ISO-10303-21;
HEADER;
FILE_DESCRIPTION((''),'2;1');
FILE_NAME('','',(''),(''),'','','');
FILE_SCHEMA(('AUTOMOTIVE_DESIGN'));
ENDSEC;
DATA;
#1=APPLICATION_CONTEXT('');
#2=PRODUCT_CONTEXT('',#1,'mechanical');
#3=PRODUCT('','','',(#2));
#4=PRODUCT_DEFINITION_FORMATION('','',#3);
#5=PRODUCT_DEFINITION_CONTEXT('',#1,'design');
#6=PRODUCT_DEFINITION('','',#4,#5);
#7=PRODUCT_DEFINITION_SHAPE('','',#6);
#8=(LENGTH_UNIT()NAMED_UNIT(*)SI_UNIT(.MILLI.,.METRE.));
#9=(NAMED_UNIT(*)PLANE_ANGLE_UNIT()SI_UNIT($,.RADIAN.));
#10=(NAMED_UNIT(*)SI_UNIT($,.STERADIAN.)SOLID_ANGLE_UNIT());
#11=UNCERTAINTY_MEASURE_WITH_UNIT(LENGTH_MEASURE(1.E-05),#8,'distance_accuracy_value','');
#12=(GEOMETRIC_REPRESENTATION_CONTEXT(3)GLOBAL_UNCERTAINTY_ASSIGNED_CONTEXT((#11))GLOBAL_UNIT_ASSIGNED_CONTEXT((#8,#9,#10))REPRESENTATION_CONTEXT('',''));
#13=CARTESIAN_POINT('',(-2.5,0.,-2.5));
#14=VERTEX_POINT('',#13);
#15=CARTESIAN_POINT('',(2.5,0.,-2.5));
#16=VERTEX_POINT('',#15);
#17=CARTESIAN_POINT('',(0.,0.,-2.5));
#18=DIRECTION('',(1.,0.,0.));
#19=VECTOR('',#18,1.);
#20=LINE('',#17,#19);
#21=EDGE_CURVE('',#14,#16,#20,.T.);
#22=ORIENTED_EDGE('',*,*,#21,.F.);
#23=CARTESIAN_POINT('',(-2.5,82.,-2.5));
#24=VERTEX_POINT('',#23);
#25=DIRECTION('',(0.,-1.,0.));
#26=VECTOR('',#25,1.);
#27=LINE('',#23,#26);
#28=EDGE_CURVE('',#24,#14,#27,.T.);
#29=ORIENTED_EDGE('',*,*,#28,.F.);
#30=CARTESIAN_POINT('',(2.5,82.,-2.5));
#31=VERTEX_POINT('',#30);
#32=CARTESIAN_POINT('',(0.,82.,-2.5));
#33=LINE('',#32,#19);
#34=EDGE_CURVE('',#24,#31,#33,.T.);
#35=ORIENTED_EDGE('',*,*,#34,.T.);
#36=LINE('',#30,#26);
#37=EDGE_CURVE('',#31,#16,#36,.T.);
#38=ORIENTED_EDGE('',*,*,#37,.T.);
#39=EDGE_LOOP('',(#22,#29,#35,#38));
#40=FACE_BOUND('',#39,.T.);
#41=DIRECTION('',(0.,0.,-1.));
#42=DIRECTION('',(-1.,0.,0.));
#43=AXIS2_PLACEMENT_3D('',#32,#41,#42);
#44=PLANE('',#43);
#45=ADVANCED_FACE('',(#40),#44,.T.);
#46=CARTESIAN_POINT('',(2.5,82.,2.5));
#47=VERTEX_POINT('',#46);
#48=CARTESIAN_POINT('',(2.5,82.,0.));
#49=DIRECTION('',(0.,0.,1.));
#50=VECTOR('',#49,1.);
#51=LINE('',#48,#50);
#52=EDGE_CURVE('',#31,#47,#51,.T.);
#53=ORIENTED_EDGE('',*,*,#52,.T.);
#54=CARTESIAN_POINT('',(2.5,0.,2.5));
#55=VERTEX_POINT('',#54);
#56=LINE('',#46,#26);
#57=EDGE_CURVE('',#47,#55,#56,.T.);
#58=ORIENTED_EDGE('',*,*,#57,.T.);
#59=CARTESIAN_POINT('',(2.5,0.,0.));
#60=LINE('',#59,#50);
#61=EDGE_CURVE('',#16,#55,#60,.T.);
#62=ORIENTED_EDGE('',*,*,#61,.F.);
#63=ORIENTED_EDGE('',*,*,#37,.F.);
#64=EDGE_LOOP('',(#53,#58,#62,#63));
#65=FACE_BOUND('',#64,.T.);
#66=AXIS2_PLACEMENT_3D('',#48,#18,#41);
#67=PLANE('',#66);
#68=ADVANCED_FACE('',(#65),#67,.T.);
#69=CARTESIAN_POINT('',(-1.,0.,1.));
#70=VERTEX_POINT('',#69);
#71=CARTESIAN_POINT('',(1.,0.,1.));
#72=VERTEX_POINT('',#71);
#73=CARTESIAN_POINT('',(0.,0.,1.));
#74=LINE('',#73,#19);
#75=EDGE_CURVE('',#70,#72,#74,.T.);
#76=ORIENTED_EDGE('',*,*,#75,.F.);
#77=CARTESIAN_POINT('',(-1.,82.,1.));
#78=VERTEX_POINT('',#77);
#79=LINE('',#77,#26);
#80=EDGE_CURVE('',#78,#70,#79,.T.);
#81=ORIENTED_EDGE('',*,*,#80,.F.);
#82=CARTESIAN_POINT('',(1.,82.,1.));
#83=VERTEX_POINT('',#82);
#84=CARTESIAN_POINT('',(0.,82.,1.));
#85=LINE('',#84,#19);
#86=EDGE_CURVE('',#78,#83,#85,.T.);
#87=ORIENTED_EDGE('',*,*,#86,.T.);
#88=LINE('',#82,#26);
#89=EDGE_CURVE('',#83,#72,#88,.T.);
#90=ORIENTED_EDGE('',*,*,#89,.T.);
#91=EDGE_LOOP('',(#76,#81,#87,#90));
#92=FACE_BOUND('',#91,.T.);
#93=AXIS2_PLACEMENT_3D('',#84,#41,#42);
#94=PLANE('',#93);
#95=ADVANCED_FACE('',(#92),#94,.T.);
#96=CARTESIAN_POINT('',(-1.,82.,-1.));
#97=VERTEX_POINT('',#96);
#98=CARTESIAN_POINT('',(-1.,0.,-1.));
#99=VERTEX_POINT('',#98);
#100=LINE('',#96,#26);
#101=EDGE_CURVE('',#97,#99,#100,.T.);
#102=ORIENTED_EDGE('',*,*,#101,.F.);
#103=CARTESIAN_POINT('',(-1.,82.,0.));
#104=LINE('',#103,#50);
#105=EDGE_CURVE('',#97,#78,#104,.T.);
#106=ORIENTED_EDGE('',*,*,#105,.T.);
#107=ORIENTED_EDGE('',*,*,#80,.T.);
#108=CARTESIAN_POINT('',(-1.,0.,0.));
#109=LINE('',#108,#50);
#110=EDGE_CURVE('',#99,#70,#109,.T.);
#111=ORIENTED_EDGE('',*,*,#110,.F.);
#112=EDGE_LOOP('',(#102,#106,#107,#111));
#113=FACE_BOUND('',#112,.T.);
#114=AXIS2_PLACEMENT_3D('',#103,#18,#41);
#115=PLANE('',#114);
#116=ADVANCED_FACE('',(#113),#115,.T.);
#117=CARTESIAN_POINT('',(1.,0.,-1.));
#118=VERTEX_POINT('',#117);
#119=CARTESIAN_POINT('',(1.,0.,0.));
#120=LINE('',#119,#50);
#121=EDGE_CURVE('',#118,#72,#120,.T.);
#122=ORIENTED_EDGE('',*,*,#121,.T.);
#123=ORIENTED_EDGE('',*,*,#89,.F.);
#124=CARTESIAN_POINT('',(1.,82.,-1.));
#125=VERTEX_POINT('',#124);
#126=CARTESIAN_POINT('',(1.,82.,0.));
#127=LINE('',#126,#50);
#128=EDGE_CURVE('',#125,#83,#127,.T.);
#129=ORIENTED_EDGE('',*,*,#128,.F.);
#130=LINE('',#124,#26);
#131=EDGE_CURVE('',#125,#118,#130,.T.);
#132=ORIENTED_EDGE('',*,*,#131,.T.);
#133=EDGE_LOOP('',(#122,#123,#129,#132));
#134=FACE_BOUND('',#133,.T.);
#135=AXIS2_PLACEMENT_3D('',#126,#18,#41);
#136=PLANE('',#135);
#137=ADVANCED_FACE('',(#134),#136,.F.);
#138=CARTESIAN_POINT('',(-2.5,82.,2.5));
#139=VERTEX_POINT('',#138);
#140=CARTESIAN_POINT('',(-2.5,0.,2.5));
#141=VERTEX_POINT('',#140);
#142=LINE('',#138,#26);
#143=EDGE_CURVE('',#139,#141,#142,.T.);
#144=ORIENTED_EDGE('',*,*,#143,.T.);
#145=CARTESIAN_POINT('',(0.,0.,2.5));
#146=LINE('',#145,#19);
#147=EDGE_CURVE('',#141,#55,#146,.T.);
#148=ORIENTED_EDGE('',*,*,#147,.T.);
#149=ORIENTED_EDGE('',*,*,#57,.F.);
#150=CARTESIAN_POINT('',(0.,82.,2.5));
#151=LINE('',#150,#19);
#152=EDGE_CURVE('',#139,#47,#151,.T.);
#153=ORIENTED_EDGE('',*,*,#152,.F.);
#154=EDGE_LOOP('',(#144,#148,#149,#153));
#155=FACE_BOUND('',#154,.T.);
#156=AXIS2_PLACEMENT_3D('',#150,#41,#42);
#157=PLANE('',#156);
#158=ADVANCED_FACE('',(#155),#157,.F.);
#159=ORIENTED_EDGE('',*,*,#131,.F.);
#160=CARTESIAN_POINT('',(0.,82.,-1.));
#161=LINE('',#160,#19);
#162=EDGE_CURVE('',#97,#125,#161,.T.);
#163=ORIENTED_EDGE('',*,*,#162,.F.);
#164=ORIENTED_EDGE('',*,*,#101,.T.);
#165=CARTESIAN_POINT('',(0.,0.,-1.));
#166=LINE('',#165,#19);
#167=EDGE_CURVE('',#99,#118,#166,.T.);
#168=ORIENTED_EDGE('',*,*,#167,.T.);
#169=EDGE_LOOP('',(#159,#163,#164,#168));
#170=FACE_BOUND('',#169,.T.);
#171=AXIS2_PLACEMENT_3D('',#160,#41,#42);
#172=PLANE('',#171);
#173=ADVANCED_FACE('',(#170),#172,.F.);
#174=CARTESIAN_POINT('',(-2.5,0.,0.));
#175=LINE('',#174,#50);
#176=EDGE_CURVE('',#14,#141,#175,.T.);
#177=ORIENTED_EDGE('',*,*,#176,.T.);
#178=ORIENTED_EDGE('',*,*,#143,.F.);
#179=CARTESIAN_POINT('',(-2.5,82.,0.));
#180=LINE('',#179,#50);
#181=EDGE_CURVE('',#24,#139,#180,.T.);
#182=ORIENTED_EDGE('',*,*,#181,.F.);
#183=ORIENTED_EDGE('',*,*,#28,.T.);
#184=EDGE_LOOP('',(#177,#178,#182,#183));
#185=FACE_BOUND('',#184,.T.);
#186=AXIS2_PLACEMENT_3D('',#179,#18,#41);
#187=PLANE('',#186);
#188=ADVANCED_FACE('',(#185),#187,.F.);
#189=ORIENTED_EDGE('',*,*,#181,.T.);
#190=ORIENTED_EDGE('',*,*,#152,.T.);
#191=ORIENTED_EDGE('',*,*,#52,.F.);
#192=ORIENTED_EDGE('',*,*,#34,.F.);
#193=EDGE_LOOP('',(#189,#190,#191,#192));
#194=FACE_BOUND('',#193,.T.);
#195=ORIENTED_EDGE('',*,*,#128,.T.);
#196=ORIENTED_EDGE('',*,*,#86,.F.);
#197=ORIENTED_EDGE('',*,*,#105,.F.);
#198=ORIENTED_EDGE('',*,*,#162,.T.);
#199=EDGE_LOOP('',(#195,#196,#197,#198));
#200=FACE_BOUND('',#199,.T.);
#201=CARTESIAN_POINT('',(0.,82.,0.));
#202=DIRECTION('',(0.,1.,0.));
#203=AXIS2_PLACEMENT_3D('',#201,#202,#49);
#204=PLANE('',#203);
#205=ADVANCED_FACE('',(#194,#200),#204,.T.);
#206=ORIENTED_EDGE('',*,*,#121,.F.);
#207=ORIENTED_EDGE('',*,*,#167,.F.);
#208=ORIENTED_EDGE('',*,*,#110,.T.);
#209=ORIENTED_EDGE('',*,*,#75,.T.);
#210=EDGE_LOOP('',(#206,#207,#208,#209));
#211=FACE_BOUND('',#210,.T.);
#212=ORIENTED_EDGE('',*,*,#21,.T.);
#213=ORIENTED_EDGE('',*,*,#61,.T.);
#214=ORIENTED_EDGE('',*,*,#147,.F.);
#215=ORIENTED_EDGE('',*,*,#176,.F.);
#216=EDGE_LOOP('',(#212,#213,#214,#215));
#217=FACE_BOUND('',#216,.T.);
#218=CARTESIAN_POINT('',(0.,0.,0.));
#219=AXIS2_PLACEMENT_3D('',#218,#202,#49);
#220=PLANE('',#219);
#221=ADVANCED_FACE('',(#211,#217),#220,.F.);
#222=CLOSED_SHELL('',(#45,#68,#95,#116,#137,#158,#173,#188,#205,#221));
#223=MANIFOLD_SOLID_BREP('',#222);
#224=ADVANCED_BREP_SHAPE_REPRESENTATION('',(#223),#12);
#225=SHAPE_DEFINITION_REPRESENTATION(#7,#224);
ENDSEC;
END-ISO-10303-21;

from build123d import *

# Parameters (mm, degrees)
SKETCH1_W           = 5
SKETCH1_H           = 5
SKETCH1_W_2         = 2
SKETCH1_H_2         = 2
BOSS_EXTRUDE1_DEPTH = 82


with BuildPart() as part:
    # Sketch1 → Boss-Extrude1 (new body)
    with BuildSketch(Plane(origin=(0, 0, 0), x_dir=(1, 0, 0), z_dir=(0, 1, 0))):
        Rectangle(SKETCH1_W, SKETCH1_H)
        Rectangle(SKETCH1_W_2, SKETCH1_H_2, mode=Mode.SUBTRACT)
    extrude(amount=BOSS_EXTRUDE1_DEPTH)


solid = part.part
